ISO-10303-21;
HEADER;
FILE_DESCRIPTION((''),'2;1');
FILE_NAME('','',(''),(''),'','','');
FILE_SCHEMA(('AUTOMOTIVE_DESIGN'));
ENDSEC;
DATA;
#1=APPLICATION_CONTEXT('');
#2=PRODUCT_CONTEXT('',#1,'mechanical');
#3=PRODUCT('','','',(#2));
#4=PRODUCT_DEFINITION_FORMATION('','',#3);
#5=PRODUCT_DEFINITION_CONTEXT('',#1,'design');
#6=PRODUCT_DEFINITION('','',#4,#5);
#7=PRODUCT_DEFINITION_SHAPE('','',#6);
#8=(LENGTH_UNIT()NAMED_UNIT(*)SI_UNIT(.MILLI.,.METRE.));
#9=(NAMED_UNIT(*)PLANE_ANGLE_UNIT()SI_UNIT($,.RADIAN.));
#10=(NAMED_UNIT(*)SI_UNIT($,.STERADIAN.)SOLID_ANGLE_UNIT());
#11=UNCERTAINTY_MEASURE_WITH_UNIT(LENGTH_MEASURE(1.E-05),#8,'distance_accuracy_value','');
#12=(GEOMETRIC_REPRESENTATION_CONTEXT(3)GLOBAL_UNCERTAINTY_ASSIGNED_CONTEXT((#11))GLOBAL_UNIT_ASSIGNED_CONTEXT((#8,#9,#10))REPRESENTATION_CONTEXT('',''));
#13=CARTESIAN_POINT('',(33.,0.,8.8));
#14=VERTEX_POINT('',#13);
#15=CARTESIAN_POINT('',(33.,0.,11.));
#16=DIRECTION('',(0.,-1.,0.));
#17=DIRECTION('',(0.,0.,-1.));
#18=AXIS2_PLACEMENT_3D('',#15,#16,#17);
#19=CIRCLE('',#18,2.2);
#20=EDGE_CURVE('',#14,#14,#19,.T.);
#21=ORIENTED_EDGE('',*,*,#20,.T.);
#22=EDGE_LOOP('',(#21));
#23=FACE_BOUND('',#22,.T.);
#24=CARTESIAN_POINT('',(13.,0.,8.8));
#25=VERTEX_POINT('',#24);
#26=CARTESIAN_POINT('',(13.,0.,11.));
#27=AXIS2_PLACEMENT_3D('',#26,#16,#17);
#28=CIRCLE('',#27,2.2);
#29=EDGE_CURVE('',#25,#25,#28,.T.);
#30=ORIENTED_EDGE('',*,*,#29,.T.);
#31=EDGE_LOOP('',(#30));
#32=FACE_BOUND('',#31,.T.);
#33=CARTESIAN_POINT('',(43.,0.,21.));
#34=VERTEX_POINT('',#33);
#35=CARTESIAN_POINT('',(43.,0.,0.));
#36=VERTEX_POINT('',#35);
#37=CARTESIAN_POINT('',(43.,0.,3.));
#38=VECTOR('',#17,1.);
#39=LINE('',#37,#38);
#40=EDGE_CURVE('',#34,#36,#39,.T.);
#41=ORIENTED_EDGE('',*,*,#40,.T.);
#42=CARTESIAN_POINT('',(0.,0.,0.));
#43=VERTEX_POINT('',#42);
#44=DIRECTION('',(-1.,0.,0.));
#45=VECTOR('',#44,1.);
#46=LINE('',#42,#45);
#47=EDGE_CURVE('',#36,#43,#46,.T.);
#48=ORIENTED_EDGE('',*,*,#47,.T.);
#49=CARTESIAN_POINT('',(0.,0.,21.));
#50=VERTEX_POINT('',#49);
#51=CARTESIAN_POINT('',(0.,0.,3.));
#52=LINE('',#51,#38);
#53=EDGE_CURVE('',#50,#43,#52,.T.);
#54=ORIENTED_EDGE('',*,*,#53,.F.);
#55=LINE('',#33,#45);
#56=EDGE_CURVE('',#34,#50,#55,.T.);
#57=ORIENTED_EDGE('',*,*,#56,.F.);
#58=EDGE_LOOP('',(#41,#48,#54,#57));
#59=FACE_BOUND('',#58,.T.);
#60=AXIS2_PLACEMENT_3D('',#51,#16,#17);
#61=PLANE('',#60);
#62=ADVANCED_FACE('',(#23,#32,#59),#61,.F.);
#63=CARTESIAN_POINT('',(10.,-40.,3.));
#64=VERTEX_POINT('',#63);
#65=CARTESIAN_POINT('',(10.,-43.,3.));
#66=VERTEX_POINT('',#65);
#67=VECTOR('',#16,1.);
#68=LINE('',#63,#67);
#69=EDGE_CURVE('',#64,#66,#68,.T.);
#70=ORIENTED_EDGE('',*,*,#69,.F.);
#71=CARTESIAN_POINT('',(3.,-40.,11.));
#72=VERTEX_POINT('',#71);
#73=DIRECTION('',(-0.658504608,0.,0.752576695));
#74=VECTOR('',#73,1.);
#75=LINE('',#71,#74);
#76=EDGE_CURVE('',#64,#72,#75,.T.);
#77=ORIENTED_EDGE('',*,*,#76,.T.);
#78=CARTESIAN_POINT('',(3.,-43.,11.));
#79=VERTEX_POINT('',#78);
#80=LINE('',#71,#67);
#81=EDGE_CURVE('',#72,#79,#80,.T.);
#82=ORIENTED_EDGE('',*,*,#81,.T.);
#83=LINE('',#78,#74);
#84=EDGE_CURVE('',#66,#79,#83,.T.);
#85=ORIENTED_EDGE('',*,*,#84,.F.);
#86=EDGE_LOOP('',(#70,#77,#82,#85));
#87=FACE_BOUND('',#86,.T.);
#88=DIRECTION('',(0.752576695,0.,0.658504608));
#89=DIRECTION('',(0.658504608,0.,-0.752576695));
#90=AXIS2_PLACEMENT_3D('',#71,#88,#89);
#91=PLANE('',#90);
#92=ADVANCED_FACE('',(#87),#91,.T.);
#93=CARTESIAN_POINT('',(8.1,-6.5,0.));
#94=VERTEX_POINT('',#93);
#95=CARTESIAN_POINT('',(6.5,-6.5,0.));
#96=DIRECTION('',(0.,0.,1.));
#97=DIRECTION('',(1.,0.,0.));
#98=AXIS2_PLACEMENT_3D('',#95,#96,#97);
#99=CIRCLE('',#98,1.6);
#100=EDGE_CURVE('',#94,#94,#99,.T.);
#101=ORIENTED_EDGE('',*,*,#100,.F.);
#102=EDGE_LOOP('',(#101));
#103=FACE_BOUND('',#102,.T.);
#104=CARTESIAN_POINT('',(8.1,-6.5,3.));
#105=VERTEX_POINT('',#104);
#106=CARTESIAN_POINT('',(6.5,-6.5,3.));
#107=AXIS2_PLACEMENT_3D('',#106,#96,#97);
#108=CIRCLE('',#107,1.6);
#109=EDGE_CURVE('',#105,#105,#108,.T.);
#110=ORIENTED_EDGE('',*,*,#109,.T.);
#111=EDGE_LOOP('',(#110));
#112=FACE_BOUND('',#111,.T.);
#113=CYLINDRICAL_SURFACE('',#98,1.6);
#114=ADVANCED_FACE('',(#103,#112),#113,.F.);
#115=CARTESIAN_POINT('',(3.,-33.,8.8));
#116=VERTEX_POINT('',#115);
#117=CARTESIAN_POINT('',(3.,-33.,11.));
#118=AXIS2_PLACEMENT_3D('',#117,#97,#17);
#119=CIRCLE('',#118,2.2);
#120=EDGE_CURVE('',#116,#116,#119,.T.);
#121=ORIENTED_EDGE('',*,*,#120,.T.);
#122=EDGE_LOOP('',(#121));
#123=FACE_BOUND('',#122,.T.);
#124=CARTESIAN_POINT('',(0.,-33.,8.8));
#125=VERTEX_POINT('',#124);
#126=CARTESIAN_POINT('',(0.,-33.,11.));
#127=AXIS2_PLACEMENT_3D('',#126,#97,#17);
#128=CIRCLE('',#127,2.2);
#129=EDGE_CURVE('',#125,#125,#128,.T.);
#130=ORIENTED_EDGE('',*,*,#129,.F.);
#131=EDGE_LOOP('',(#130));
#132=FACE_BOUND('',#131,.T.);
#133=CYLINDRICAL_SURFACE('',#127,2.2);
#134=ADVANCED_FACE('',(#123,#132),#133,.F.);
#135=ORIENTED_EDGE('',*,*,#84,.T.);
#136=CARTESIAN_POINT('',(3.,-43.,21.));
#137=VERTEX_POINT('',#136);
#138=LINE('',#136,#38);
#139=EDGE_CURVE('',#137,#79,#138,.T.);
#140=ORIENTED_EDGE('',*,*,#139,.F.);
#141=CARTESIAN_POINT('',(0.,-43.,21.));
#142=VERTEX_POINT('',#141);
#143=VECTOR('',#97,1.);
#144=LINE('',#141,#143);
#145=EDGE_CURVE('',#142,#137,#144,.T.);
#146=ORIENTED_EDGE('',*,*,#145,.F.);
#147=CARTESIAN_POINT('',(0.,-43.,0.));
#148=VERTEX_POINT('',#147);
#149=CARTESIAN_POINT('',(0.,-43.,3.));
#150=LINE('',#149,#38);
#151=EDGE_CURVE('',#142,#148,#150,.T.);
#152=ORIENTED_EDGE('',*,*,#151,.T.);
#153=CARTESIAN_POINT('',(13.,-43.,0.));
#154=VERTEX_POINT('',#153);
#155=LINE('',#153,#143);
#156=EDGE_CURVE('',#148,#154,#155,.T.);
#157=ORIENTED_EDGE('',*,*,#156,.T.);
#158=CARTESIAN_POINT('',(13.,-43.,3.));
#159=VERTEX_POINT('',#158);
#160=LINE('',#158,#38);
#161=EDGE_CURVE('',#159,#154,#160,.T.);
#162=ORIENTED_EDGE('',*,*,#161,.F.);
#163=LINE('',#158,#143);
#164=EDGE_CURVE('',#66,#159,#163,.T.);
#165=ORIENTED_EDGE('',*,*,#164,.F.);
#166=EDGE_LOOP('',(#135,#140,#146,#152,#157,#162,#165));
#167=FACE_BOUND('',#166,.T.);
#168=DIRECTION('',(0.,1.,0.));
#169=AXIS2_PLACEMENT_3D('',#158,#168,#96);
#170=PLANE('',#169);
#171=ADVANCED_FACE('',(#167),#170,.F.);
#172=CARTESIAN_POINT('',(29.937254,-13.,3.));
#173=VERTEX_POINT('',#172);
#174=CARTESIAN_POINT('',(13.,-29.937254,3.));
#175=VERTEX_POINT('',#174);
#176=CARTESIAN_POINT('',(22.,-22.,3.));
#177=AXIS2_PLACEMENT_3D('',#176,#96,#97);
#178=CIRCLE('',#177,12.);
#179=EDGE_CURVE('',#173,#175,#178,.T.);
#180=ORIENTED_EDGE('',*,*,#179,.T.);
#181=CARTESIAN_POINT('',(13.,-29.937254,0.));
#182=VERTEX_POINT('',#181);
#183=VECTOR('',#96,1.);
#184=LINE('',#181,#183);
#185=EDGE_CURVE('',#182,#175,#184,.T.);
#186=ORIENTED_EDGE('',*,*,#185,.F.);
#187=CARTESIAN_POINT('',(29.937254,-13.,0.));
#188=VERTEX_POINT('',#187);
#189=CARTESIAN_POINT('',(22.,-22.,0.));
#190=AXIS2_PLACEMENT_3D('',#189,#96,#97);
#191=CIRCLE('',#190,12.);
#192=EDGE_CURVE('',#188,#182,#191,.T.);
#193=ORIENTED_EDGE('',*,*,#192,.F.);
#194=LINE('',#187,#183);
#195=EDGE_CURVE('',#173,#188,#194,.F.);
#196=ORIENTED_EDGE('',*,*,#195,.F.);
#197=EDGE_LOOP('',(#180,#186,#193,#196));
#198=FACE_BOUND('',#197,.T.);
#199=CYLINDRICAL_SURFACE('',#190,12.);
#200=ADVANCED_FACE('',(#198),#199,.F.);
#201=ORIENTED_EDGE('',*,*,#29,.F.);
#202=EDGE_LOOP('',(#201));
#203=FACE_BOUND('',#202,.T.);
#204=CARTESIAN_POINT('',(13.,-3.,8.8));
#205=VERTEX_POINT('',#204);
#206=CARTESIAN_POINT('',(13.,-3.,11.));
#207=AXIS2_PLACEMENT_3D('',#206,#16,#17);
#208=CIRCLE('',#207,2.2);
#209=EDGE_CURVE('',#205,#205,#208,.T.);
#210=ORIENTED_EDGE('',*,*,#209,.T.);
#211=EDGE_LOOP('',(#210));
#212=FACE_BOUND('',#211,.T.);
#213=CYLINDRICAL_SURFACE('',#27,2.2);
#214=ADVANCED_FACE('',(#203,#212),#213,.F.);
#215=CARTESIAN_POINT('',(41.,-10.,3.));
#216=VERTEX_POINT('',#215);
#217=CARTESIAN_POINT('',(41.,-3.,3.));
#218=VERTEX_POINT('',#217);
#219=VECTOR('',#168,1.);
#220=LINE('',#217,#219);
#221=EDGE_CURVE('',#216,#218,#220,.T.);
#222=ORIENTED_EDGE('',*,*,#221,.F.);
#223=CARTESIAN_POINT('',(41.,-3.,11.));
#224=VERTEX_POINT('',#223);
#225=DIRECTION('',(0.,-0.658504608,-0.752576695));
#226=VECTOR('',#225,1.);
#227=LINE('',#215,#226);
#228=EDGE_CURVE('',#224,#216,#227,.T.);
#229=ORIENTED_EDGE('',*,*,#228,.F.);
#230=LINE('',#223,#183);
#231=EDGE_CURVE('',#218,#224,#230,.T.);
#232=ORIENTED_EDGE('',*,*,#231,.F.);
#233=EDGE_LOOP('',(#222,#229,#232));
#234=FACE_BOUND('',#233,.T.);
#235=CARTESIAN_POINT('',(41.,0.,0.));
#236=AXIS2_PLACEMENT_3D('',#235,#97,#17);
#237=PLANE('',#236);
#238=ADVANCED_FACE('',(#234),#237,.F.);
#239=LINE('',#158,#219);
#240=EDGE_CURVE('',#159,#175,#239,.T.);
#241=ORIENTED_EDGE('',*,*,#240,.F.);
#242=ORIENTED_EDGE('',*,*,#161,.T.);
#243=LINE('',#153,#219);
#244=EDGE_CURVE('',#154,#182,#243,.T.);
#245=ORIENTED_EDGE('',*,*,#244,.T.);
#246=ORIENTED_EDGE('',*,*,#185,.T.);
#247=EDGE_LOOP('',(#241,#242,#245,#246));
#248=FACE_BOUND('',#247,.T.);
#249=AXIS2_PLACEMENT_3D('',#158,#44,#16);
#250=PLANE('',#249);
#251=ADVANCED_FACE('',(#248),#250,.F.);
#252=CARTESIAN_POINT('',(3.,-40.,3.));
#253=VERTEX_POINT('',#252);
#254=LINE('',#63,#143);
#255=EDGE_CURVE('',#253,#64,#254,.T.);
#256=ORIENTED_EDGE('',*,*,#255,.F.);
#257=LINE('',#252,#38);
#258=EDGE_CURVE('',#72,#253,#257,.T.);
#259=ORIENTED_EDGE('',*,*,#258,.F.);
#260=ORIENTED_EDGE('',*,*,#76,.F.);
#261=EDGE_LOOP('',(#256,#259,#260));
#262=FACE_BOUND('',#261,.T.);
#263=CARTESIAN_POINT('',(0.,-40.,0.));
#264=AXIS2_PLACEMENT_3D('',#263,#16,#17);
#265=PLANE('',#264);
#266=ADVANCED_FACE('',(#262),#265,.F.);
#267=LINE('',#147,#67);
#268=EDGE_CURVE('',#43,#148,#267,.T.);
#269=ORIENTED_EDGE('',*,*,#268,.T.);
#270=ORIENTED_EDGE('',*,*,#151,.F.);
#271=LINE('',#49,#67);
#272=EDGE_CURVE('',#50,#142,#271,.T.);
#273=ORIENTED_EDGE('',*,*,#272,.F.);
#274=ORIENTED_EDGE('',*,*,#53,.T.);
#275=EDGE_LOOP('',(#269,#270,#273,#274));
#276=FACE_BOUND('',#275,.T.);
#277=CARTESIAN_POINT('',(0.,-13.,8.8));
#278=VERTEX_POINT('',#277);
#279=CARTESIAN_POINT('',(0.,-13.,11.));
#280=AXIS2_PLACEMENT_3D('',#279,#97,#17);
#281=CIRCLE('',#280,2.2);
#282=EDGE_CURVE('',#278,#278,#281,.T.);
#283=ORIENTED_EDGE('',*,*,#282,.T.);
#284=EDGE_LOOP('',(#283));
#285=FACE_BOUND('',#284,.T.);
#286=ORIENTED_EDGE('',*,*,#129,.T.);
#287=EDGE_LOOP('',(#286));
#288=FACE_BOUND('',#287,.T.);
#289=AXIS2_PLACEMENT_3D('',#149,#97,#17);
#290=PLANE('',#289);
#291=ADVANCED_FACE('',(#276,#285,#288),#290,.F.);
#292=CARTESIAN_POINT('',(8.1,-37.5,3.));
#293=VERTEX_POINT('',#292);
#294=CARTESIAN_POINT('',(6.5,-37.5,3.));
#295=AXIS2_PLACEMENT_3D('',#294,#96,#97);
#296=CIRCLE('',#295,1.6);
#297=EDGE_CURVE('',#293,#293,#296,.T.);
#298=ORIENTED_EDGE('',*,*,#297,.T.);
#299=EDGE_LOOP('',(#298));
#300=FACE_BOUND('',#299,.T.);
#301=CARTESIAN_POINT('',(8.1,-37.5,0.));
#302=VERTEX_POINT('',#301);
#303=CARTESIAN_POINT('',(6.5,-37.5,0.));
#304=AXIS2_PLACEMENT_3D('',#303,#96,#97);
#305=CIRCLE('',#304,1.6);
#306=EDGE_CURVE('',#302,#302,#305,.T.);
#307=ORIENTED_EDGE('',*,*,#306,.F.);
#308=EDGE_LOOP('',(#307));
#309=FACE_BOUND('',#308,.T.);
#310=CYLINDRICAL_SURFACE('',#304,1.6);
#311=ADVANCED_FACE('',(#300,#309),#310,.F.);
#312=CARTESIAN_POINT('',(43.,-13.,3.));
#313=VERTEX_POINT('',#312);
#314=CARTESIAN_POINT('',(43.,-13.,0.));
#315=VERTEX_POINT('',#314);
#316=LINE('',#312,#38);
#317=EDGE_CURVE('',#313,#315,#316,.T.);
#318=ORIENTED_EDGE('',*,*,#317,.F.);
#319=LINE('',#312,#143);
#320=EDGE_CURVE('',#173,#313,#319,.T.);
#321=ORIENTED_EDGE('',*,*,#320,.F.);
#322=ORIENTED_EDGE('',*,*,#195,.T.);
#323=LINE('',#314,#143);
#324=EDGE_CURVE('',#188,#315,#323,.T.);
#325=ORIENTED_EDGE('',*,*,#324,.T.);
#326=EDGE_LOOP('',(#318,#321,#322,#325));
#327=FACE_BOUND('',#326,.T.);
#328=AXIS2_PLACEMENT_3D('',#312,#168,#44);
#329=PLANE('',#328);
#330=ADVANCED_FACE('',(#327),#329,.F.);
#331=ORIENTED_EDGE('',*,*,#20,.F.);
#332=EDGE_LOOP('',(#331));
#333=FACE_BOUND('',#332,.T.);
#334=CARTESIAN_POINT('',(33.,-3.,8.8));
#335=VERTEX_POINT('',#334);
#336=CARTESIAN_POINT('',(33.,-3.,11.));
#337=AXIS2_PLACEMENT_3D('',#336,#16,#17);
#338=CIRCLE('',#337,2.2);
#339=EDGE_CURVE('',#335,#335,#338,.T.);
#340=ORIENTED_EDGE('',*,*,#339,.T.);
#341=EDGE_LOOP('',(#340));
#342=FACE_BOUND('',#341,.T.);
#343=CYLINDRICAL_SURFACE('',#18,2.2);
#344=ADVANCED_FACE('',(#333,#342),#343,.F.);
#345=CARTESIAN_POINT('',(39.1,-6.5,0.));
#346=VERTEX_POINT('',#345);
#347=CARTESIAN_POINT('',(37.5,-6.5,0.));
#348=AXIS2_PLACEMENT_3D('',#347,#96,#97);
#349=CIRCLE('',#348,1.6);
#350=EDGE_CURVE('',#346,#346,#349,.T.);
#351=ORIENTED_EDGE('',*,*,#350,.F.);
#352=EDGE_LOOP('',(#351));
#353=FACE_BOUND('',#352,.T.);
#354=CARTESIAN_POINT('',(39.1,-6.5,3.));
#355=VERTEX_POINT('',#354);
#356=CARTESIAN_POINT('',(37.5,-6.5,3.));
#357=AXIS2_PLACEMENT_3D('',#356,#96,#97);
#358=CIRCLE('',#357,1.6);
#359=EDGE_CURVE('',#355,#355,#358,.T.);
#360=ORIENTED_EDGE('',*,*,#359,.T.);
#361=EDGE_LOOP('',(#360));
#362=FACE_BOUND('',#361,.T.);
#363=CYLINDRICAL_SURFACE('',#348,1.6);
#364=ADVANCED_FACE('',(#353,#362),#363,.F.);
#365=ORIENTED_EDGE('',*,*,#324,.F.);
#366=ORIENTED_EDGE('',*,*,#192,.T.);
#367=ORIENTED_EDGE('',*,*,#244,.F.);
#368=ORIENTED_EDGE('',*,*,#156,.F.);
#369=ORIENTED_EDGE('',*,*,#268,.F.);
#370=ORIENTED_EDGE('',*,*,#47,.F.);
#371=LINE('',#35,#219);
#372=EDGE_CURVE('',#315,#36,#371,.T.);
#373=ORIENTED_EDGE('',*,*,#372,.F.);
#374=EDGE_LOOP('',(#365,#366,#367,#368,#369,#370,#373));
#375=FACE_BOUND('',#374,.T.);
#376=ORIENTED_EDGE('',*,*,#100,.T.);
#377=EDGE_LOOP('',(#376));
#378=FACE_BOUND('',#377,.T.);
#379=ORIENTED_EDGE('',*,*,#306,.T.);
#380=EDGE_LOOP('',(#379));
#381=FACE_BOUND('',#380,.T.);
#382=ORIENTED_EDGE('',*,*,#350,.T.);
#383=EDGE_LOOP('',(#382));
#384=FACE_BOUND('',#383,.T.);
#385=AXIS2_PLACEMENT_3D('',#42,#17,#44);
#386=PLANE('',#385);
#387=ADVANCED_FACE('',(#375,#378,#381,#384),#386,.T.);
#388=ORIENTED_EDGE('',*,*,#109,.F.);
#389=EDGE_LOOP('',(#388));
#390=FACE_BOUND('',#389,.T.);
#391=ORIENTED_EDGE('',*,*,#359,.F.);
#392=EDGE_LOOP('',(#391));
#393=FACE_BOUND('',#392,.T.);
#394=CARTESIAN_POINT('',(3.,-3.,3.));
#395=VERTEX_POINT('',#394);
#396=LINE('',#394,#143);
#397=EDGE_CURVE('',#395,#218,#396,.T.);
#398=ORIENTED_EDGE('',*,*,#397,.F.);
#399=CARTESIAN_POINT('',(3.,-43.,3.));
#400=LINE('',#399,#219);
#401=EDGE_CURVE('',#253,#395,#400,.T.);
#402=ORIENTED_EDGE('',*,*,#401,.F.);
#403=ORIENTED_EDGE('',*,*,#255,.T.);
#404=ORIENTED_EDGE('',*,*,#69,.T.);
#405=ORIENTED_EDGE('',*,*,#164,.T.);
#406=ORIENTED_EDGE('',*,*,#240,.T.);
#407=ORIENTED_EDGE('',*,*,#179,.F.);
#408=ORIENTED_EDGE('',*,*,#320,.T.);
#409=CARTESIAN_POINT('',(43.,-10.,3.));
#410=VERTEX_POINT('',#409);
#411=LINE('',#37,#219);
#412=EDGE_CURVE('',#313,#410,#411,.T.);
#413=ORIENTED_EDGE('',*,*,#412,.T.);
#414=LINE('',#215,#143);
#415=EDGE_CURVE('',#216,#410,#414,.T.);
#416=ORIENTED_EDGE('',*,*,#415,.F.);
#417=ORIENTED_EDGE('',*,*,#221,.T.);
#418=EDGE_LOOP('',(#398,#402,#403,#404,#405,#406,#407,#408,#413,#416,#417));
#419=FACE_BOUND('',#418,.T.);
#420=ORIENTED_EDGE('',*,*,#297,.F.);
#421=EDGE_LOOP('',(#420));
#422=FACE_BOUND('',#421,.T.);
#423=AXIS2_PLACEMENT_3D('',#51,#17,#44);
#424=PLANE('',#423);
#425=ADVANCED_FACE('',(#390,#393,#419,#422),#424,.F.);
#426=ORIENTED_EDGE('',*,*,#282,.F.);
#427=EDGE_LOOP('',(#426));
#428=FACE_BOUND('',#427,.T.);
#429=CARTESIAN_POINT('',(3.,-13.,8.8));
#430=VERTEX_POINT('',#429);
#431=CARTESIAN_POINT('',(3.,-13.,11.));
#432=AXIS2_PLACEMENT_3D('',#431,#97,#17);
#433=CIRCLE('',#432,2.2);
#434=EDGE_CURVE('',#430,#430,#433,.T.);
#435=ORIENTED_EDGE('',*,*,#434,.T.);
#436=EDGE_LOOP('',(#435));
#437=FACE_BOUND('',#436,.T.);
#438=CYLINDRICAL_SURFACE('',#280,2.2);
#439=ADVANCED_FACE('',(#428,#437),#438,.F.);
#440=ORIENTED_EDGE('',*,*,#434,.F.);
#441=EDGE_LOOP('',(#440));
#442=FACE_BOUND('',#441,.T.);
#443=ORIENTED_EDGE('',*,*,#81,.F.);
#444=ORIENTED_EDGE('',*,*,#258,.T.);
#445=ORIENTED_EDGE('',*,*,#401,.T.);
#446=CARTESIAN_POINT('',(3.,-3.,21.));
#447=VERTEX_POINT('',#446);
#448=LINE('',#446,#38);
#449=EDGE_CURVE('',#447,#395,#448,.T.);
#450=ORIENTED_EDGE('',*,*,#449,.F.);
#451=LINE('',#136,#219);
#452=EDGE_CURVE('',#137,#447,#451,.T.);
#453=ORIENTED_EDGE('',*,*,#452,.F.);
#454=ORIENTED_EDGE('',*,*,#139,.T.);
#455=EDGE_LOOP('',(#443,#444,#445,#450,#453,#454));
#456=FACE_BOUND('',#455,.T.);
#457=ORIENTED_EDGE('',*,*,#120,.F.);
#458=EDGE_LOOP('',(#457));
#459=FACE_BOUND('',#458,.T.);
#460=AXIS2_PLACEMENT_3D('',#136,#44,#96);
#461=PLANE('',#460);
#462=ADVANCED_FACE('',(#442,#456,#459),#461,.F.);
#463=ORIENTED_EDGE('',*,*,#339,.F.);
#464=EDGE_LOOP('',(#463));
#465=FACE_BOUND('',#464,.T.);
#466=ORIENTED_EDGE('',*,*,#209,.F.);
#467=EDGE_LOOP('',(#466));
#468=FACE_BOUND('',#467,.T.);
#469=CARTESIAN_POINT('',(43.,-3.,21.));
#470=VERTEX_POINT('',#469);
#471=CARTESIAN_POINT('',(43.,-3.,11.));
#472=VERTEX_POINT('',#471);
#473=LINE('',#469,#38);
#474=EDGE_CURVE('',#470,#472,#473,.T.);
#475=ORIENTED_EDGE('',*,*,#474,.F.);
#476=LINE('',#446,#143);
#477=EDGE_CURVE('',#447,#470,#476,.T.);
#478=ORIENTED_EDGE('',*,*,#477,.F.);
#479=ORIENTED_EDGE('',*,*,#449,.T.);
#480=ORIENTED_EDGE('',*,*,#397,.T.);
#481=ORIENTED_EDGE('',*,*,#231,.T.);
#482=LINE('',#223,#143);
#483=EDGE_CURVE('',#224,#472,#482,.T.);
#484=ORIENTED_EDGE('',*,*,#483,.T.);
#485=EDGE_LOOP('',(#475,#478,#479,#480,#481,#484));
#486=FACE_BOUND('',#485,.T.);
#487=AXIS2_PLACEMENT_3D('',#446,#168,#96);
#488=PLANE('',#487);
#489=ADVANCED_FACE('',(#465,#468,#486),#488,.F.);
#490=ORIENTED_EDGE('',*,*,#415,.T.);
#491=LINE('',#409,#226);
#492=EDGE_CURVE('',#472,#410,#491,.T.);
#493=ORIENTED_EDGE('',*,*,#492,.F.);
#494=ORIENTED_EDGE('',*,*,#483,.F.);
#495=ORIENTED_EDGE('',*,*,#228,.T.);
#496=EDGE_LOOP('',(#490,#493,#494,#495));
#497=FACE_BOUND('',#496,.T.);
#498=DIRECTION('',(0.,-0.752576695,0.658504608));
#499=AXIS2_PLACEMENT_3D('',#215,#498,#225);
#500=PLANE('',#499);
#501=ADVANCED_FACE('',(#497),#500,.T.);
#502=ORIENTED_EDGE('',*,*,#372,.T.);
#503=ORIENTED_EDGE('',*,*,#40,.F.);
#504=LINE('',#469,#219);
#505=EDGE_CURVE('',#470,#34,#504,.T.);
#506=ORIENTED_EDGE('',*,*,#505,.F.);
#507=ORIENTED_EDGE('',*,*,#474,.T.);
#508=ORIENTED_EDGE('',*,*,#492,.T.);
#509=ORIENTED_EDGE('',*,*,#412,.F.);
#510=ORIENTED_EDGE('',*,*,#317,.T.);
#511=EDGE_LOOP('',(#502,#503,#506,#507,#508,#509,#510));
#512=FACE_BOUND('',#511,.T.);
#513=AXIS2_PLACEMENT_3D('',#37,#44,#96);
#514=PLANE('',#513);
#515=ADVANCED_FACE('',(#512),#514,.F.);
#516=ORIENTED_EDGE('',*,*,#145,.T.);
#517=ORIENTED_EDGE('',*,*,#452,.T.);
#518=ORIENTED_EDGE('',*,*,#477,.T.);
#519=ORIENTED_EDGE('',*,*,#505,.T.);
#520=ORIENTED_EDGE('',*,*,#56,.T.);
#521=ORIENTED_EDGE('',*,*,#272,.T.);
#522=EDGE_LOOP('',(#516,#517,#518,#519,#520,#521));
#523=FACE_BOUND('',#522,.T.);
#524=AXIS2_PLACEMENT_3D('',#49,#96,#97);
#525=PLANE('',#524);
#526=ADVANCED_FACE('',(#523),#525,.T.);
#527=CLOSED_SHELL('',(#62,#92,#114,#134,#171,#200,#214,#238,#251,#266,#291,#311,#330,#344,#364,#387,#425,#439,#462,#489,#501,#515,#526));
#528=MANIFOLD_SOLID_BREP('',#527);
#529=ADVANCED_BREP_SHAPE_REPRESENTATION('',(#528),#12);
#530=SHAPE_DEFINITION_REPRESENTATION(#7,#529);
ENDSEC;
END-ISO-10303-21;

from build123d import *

# Parameters (mm, degrees)
BOSS_EXTRUDE1_DEPTH = 3
BOSS_EXTRUDE2_DEPTH = 18
SKETCH3_R           = 12
CUT_EXTRUDE1_DEPTH  = 64.419239983
SKETCH4_R           = 1.6
CUT_EXTRUDE2_DEPTH  = 64.419239983
BOSS_EXTRUDE3_DEPTH = 2
BOSS_EXTRUDE4_DEPTH = 3
SKETCH7_R           = 2.2
CUT_EXTRUDE3_DEPTH  = 63.369864518
SKETCH8_R           = 2.2
CUT_EXTRUDE4_DEPTH  = 63.369864518


with BuildPart() as part:
    # Sketch1 → Boss-Extrude1 (new body)
    with BuildSketch(Plane.XY):
        Polygon((0, -43), (0, 0), (43, 0), (43, -13), (19, -13), (13, -19), (13, -43), align=None)
    extrude(amount=BOSS_EXTRUDE1_DEPTH)

    # Sketch2 → Boss-Extrude2 (add)
    with BuildSketch(Plane.XY.offset(3)):
        Polygon((0, -43), (3, -43), (3, -3), (43, -3), (43, 0), (0, 0), align=None)
    extrude(amount=BOSS_EXTRUDE2_DEPTH)

    # Sketch3 → Cut-Extrude1 (cut, through all)
    with BuildSketch(Plane.XY.offset(3)):
        with Locations((22, -22)):
            Circle(SKETCH3_R)
    extrude(amount=-CUT_EXTRUDE1_DEPTH, mode=Mode.SUBTRACT)

    # Sketch4 → Cut-Extrude2 (cut, through all)
    with BuildSketch(Plane.XY.offset(3)):
        with Locations((6.5, -6.5)):
            Circle(SKETCH4_R)
        with Locations((37.5, -6.5)):
            Circle(SKETCH4_R)
        with Locations((6.5, -37.5)):
            Circle(SKETCH4_R)
    extrude(amount=-CUT_EXTRUDE2_DEPTH, mode=Mode.SUBTRACT)

    # Sketch5 → Boss-Extrude3 (add)
    with BuildSketch(Plane(origin=(43, 0, 0), x_dir=(0, 0, -1), z_dir=(1, 0, 0))):
        Polygon((-3, -10), (-11, -3), (-3, -3), align=None)
    extrude(amount=-BOSS_EXTRUDE3_DEPTH)

    # Sketch6 → Boss-Extrude4 (add)
    with BuildSketch(Plane.XZ.offset(43)):
        Polygon((3, 11), (10, 3), (3, 3), align=None)
    extrude(amount=-BOSS_EXTRUDE4_DEPTH)

    # Sketch7 → Cut-Extrude3 (cut, through all)
    with BuildSketch(Plane.XZ.offset(3)):
        with Locations(Location((13, 11, 0), (0, 0, 270))):
            Circle(SKETCH7_R)
        with Locations(Location((33, 11, 0), (0, 0, 270))):
            Circle(SKETCH7_R)
    extrude(amount=-CUT_EXTRUDE3_DEPTH, mode=Mode.SUBTRACT)

    # Sketch8 → Cut-Extrude4 (cut, through all)
    with BuildSketch(Plane(origin=(3, 0, 0), x_dir=(0, 0, -1), z_dir=(1, 0, 0))):
        with Locations((-11, -33)):
            Circle(SKETCH8_R)
        with Locations((-11, -13)):
            Circle(SKETCH8_R)
    extrude(amount=-CUT_EXTRUDE4_DEPTH, mode=Mode.SUBTRACT)


solid = part.part
